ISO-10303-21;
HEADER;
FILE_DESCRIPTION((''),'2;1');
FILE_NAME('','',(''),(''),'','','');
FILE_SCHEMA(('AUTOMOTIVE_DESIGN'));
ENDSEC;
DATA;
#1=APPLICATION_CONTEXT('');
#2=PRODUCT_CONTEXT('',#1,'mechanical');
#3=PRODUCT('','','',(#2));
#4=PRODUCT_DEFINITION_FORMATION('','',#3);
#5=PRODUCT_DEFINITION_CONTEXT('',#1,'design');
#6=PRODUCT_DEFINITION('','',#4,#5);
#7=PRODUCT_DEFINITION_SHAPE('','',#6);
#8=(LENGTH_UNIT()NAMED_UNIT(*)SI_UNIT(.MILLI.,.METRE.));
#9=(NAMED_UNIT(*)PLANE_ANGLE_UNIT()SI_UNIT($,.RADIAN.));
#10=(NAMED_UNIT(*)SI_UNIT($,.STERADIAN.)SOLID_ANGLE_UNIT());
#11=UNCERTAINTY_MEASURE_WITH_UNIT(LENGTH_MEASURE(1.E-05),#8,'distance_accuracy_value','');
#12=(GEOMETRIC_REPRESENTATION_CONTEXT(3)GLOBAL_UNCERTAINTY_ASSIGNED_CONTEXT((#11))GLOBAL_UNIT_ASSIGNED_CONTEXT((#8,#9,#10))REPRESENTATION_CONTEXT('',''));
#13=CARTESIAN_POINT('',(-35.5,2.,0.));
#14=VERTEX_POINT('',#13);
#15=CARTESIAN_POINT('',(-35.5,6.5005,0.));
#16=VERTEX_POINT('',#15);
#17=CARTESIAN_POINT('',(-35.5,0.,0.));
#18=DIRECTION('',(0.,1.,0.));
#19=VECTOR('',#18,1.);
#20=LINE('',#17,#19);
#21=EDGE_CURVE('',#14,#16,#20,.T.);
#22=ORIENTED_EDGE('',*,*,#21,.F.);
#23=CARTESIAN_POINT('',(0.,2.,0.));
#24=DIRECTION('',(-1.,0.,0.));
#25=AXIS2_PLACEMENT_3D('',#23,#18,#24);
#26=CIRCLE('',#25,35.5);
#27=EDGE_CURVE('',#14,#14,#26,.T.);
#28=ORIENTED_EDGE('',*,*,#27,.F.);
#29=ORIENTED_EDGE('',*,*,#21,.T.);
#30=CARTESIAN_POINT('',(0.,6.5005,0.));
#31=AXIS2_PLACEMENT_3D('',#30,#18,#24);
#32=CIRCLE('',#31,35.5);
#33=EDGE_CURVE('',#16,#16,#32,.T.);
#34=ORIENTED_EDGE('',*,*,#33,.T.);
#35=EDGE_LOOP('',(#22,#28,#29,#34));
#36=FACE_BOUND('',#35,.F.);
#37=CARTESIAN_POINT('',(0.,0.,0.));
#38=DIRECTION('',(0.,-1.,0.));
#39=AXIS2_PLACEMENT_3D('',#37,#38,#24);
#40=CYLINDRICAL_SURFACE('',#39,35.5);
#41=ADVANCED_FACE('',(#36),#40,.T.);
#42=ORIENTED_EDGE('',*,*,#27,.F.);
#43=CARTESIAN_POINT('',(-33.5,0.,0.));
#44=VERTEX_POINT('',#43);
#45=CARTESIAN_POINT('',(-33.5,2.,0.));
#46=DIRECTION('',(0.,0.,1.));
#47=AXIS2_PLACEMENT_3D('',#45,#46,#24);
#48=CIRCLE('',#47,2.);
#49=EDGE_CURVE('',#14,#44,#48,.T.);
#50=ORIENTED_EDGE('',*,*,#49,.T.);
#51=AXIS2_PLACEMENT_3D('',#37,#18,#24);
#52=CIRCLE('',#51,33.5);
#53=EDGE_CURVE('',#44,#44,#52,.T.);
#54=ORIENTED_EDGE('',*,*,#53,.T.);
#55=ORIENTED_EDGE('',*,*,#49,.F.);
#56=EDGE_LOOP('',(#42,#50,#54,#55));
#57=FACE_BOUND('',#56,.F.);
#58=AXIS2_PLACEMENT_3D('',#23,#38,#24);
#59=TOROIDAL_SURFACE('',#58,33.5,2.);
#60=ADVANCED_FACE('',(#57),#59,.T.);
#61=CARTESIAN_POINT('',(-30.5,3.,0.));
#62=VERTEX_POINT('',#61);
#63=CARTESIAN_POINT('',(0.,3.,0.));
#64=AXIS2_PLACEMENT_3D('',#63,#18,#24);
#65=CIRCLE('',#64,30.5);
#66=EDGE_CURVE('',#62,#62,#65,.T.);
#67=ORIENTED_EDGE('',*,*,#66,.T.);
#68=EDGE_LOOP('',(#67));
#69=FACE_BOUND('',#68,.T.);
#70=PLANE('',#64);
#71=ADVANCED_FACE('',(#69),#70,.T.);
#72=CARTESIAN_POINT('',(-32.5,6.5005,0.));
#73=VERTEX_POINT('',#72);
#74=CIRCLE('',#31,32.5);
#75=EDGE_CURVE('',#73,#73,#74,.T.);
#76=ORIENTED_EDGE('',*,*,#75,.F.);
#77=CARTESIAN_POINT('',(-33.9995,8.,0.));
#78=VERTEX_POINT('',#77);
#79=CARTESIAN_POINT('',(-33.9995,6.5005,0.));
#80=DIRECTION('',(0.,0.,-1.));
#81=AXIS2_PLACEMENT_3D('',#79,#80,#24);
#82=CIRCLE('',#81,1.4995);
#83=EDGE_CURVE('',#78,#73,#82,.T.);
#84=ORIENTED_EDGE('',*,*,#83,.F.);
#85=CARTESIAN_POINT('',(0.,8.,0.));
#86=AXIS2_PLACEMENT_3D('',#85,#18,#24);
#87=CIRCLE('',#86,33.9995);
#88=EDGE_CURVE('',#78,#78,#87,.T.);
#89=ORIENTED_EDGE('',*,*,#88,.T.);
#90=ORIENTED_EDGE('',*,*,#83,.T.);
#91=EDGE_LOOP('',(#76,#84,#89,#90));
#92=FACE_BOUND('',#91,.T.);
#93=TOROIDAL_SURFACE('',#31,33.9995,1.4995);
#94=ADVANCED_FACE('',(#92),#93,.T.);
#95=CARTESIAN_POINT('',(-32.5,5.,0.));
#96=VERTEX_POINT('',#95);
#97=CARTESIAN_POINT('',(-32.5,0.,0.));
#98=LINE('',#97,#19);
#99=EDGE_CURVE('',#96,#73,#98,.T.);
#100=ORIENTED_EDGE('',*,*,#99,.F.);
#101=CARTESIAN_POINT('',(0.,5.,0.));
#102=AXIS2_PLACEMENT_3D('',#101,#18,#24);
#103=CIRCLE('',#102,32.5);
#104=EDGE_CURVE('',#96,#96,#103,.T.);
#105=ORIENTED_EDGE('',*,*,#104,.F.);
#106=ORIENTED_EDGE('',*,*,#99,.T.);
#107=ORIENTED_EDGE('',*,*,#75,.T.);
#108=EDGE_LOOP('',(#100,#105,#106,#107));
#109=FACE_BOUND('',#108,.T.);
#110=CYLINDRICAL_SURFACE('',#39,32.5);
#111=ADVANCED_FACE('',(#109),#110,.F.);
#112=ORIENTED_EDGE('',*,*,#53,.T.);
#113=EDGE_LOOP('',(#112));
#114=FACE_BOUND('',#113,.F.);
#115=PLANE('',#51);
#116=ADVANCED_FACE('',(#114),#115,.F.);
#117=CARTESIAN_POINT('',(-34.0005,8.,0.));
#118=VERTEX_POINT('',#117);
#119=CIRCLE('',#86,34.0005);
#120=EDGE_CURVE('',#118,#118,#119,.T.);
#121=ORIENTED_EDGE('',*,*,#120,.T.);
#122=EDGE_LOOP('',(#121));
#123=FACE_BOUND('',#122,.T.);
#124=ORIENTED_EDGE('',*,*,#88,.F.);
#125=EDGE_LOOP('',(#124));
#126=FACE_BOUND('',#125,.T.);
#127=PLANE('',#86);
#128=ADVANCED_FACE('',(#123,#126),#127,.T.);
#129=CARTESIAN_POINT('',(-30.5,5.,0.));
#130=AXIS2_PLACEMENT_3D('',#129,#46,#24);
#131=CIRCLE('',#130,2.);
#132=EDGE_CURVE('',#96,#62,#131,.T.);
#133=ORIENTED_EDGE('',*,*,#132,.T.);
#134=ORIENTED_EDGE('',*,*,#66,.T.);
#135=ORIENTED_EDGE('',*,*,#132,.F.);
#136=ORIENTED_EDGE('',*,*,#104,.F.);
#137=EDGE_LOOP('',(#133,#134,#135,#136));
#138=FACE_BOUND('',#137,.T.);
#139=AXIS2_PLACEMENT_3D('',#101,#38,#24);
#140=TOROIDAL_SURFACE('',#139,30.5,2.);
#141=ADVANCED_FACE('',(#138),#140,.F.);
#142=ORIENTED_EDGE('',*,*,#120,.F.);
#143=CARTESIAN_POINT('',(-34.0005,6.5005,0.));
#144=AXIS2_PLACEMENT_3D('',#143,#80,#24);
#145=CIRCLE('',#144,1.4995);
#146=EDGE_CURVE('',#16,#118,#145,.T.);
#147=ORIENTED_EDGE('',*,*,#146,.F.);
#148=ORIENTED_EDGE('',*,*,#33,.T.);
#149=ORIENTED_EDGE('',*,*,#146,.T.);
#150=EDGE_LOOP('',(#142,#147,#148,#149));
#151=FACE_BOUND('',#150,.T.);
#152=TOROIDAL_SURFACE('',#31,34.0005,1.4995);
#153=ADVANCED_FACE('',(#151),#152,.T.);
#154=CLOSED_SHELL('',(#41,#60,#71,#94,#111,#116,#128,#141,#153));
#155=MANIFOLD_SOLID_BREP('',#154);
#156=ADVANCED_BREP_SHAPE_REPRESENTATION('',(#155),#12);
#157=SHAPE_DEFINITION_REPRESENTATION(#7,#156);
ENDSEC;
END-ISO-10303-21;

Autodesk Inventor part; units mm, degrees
ref_plane "YZ Plane" through (0, 0, 0) normal (1, 0, 0) x (0, 1, 0)
ref_plane "XZ Plane" through (0, 0, 0) normal (0, 1, 0) x (-1, 0, 0)
ref_plane "XY Plane" through (0, 0, 0) normal (0, 0, 1) x (1, 0, 0)
sketch "Sketch1" plane through (0, 0, 0) normal (0, 1, 0) x (-1, 0, 0)
  circle A0 centre (0, 0) radius 32.5
  circle A1 centre (0, 0) radius 35.5
  dimension "d0" = 65
  dimension "d1" = 71
extrude "Extrusion1" add sketch "Sketch1" along normal blind 8
extrude "Extrusion2" add sketch "Sketch1" along normal blind 3 contours A0
fillet "Fillet1" radius 2 2 edges at (35.5, 0, 0) (32.5, 3, 0)
fillet "Fillet2" radius 1.5 2 edges at (32.5, 8, 0) (35.5, 8, 0)
properties part number "Orchid Coaster V2"
